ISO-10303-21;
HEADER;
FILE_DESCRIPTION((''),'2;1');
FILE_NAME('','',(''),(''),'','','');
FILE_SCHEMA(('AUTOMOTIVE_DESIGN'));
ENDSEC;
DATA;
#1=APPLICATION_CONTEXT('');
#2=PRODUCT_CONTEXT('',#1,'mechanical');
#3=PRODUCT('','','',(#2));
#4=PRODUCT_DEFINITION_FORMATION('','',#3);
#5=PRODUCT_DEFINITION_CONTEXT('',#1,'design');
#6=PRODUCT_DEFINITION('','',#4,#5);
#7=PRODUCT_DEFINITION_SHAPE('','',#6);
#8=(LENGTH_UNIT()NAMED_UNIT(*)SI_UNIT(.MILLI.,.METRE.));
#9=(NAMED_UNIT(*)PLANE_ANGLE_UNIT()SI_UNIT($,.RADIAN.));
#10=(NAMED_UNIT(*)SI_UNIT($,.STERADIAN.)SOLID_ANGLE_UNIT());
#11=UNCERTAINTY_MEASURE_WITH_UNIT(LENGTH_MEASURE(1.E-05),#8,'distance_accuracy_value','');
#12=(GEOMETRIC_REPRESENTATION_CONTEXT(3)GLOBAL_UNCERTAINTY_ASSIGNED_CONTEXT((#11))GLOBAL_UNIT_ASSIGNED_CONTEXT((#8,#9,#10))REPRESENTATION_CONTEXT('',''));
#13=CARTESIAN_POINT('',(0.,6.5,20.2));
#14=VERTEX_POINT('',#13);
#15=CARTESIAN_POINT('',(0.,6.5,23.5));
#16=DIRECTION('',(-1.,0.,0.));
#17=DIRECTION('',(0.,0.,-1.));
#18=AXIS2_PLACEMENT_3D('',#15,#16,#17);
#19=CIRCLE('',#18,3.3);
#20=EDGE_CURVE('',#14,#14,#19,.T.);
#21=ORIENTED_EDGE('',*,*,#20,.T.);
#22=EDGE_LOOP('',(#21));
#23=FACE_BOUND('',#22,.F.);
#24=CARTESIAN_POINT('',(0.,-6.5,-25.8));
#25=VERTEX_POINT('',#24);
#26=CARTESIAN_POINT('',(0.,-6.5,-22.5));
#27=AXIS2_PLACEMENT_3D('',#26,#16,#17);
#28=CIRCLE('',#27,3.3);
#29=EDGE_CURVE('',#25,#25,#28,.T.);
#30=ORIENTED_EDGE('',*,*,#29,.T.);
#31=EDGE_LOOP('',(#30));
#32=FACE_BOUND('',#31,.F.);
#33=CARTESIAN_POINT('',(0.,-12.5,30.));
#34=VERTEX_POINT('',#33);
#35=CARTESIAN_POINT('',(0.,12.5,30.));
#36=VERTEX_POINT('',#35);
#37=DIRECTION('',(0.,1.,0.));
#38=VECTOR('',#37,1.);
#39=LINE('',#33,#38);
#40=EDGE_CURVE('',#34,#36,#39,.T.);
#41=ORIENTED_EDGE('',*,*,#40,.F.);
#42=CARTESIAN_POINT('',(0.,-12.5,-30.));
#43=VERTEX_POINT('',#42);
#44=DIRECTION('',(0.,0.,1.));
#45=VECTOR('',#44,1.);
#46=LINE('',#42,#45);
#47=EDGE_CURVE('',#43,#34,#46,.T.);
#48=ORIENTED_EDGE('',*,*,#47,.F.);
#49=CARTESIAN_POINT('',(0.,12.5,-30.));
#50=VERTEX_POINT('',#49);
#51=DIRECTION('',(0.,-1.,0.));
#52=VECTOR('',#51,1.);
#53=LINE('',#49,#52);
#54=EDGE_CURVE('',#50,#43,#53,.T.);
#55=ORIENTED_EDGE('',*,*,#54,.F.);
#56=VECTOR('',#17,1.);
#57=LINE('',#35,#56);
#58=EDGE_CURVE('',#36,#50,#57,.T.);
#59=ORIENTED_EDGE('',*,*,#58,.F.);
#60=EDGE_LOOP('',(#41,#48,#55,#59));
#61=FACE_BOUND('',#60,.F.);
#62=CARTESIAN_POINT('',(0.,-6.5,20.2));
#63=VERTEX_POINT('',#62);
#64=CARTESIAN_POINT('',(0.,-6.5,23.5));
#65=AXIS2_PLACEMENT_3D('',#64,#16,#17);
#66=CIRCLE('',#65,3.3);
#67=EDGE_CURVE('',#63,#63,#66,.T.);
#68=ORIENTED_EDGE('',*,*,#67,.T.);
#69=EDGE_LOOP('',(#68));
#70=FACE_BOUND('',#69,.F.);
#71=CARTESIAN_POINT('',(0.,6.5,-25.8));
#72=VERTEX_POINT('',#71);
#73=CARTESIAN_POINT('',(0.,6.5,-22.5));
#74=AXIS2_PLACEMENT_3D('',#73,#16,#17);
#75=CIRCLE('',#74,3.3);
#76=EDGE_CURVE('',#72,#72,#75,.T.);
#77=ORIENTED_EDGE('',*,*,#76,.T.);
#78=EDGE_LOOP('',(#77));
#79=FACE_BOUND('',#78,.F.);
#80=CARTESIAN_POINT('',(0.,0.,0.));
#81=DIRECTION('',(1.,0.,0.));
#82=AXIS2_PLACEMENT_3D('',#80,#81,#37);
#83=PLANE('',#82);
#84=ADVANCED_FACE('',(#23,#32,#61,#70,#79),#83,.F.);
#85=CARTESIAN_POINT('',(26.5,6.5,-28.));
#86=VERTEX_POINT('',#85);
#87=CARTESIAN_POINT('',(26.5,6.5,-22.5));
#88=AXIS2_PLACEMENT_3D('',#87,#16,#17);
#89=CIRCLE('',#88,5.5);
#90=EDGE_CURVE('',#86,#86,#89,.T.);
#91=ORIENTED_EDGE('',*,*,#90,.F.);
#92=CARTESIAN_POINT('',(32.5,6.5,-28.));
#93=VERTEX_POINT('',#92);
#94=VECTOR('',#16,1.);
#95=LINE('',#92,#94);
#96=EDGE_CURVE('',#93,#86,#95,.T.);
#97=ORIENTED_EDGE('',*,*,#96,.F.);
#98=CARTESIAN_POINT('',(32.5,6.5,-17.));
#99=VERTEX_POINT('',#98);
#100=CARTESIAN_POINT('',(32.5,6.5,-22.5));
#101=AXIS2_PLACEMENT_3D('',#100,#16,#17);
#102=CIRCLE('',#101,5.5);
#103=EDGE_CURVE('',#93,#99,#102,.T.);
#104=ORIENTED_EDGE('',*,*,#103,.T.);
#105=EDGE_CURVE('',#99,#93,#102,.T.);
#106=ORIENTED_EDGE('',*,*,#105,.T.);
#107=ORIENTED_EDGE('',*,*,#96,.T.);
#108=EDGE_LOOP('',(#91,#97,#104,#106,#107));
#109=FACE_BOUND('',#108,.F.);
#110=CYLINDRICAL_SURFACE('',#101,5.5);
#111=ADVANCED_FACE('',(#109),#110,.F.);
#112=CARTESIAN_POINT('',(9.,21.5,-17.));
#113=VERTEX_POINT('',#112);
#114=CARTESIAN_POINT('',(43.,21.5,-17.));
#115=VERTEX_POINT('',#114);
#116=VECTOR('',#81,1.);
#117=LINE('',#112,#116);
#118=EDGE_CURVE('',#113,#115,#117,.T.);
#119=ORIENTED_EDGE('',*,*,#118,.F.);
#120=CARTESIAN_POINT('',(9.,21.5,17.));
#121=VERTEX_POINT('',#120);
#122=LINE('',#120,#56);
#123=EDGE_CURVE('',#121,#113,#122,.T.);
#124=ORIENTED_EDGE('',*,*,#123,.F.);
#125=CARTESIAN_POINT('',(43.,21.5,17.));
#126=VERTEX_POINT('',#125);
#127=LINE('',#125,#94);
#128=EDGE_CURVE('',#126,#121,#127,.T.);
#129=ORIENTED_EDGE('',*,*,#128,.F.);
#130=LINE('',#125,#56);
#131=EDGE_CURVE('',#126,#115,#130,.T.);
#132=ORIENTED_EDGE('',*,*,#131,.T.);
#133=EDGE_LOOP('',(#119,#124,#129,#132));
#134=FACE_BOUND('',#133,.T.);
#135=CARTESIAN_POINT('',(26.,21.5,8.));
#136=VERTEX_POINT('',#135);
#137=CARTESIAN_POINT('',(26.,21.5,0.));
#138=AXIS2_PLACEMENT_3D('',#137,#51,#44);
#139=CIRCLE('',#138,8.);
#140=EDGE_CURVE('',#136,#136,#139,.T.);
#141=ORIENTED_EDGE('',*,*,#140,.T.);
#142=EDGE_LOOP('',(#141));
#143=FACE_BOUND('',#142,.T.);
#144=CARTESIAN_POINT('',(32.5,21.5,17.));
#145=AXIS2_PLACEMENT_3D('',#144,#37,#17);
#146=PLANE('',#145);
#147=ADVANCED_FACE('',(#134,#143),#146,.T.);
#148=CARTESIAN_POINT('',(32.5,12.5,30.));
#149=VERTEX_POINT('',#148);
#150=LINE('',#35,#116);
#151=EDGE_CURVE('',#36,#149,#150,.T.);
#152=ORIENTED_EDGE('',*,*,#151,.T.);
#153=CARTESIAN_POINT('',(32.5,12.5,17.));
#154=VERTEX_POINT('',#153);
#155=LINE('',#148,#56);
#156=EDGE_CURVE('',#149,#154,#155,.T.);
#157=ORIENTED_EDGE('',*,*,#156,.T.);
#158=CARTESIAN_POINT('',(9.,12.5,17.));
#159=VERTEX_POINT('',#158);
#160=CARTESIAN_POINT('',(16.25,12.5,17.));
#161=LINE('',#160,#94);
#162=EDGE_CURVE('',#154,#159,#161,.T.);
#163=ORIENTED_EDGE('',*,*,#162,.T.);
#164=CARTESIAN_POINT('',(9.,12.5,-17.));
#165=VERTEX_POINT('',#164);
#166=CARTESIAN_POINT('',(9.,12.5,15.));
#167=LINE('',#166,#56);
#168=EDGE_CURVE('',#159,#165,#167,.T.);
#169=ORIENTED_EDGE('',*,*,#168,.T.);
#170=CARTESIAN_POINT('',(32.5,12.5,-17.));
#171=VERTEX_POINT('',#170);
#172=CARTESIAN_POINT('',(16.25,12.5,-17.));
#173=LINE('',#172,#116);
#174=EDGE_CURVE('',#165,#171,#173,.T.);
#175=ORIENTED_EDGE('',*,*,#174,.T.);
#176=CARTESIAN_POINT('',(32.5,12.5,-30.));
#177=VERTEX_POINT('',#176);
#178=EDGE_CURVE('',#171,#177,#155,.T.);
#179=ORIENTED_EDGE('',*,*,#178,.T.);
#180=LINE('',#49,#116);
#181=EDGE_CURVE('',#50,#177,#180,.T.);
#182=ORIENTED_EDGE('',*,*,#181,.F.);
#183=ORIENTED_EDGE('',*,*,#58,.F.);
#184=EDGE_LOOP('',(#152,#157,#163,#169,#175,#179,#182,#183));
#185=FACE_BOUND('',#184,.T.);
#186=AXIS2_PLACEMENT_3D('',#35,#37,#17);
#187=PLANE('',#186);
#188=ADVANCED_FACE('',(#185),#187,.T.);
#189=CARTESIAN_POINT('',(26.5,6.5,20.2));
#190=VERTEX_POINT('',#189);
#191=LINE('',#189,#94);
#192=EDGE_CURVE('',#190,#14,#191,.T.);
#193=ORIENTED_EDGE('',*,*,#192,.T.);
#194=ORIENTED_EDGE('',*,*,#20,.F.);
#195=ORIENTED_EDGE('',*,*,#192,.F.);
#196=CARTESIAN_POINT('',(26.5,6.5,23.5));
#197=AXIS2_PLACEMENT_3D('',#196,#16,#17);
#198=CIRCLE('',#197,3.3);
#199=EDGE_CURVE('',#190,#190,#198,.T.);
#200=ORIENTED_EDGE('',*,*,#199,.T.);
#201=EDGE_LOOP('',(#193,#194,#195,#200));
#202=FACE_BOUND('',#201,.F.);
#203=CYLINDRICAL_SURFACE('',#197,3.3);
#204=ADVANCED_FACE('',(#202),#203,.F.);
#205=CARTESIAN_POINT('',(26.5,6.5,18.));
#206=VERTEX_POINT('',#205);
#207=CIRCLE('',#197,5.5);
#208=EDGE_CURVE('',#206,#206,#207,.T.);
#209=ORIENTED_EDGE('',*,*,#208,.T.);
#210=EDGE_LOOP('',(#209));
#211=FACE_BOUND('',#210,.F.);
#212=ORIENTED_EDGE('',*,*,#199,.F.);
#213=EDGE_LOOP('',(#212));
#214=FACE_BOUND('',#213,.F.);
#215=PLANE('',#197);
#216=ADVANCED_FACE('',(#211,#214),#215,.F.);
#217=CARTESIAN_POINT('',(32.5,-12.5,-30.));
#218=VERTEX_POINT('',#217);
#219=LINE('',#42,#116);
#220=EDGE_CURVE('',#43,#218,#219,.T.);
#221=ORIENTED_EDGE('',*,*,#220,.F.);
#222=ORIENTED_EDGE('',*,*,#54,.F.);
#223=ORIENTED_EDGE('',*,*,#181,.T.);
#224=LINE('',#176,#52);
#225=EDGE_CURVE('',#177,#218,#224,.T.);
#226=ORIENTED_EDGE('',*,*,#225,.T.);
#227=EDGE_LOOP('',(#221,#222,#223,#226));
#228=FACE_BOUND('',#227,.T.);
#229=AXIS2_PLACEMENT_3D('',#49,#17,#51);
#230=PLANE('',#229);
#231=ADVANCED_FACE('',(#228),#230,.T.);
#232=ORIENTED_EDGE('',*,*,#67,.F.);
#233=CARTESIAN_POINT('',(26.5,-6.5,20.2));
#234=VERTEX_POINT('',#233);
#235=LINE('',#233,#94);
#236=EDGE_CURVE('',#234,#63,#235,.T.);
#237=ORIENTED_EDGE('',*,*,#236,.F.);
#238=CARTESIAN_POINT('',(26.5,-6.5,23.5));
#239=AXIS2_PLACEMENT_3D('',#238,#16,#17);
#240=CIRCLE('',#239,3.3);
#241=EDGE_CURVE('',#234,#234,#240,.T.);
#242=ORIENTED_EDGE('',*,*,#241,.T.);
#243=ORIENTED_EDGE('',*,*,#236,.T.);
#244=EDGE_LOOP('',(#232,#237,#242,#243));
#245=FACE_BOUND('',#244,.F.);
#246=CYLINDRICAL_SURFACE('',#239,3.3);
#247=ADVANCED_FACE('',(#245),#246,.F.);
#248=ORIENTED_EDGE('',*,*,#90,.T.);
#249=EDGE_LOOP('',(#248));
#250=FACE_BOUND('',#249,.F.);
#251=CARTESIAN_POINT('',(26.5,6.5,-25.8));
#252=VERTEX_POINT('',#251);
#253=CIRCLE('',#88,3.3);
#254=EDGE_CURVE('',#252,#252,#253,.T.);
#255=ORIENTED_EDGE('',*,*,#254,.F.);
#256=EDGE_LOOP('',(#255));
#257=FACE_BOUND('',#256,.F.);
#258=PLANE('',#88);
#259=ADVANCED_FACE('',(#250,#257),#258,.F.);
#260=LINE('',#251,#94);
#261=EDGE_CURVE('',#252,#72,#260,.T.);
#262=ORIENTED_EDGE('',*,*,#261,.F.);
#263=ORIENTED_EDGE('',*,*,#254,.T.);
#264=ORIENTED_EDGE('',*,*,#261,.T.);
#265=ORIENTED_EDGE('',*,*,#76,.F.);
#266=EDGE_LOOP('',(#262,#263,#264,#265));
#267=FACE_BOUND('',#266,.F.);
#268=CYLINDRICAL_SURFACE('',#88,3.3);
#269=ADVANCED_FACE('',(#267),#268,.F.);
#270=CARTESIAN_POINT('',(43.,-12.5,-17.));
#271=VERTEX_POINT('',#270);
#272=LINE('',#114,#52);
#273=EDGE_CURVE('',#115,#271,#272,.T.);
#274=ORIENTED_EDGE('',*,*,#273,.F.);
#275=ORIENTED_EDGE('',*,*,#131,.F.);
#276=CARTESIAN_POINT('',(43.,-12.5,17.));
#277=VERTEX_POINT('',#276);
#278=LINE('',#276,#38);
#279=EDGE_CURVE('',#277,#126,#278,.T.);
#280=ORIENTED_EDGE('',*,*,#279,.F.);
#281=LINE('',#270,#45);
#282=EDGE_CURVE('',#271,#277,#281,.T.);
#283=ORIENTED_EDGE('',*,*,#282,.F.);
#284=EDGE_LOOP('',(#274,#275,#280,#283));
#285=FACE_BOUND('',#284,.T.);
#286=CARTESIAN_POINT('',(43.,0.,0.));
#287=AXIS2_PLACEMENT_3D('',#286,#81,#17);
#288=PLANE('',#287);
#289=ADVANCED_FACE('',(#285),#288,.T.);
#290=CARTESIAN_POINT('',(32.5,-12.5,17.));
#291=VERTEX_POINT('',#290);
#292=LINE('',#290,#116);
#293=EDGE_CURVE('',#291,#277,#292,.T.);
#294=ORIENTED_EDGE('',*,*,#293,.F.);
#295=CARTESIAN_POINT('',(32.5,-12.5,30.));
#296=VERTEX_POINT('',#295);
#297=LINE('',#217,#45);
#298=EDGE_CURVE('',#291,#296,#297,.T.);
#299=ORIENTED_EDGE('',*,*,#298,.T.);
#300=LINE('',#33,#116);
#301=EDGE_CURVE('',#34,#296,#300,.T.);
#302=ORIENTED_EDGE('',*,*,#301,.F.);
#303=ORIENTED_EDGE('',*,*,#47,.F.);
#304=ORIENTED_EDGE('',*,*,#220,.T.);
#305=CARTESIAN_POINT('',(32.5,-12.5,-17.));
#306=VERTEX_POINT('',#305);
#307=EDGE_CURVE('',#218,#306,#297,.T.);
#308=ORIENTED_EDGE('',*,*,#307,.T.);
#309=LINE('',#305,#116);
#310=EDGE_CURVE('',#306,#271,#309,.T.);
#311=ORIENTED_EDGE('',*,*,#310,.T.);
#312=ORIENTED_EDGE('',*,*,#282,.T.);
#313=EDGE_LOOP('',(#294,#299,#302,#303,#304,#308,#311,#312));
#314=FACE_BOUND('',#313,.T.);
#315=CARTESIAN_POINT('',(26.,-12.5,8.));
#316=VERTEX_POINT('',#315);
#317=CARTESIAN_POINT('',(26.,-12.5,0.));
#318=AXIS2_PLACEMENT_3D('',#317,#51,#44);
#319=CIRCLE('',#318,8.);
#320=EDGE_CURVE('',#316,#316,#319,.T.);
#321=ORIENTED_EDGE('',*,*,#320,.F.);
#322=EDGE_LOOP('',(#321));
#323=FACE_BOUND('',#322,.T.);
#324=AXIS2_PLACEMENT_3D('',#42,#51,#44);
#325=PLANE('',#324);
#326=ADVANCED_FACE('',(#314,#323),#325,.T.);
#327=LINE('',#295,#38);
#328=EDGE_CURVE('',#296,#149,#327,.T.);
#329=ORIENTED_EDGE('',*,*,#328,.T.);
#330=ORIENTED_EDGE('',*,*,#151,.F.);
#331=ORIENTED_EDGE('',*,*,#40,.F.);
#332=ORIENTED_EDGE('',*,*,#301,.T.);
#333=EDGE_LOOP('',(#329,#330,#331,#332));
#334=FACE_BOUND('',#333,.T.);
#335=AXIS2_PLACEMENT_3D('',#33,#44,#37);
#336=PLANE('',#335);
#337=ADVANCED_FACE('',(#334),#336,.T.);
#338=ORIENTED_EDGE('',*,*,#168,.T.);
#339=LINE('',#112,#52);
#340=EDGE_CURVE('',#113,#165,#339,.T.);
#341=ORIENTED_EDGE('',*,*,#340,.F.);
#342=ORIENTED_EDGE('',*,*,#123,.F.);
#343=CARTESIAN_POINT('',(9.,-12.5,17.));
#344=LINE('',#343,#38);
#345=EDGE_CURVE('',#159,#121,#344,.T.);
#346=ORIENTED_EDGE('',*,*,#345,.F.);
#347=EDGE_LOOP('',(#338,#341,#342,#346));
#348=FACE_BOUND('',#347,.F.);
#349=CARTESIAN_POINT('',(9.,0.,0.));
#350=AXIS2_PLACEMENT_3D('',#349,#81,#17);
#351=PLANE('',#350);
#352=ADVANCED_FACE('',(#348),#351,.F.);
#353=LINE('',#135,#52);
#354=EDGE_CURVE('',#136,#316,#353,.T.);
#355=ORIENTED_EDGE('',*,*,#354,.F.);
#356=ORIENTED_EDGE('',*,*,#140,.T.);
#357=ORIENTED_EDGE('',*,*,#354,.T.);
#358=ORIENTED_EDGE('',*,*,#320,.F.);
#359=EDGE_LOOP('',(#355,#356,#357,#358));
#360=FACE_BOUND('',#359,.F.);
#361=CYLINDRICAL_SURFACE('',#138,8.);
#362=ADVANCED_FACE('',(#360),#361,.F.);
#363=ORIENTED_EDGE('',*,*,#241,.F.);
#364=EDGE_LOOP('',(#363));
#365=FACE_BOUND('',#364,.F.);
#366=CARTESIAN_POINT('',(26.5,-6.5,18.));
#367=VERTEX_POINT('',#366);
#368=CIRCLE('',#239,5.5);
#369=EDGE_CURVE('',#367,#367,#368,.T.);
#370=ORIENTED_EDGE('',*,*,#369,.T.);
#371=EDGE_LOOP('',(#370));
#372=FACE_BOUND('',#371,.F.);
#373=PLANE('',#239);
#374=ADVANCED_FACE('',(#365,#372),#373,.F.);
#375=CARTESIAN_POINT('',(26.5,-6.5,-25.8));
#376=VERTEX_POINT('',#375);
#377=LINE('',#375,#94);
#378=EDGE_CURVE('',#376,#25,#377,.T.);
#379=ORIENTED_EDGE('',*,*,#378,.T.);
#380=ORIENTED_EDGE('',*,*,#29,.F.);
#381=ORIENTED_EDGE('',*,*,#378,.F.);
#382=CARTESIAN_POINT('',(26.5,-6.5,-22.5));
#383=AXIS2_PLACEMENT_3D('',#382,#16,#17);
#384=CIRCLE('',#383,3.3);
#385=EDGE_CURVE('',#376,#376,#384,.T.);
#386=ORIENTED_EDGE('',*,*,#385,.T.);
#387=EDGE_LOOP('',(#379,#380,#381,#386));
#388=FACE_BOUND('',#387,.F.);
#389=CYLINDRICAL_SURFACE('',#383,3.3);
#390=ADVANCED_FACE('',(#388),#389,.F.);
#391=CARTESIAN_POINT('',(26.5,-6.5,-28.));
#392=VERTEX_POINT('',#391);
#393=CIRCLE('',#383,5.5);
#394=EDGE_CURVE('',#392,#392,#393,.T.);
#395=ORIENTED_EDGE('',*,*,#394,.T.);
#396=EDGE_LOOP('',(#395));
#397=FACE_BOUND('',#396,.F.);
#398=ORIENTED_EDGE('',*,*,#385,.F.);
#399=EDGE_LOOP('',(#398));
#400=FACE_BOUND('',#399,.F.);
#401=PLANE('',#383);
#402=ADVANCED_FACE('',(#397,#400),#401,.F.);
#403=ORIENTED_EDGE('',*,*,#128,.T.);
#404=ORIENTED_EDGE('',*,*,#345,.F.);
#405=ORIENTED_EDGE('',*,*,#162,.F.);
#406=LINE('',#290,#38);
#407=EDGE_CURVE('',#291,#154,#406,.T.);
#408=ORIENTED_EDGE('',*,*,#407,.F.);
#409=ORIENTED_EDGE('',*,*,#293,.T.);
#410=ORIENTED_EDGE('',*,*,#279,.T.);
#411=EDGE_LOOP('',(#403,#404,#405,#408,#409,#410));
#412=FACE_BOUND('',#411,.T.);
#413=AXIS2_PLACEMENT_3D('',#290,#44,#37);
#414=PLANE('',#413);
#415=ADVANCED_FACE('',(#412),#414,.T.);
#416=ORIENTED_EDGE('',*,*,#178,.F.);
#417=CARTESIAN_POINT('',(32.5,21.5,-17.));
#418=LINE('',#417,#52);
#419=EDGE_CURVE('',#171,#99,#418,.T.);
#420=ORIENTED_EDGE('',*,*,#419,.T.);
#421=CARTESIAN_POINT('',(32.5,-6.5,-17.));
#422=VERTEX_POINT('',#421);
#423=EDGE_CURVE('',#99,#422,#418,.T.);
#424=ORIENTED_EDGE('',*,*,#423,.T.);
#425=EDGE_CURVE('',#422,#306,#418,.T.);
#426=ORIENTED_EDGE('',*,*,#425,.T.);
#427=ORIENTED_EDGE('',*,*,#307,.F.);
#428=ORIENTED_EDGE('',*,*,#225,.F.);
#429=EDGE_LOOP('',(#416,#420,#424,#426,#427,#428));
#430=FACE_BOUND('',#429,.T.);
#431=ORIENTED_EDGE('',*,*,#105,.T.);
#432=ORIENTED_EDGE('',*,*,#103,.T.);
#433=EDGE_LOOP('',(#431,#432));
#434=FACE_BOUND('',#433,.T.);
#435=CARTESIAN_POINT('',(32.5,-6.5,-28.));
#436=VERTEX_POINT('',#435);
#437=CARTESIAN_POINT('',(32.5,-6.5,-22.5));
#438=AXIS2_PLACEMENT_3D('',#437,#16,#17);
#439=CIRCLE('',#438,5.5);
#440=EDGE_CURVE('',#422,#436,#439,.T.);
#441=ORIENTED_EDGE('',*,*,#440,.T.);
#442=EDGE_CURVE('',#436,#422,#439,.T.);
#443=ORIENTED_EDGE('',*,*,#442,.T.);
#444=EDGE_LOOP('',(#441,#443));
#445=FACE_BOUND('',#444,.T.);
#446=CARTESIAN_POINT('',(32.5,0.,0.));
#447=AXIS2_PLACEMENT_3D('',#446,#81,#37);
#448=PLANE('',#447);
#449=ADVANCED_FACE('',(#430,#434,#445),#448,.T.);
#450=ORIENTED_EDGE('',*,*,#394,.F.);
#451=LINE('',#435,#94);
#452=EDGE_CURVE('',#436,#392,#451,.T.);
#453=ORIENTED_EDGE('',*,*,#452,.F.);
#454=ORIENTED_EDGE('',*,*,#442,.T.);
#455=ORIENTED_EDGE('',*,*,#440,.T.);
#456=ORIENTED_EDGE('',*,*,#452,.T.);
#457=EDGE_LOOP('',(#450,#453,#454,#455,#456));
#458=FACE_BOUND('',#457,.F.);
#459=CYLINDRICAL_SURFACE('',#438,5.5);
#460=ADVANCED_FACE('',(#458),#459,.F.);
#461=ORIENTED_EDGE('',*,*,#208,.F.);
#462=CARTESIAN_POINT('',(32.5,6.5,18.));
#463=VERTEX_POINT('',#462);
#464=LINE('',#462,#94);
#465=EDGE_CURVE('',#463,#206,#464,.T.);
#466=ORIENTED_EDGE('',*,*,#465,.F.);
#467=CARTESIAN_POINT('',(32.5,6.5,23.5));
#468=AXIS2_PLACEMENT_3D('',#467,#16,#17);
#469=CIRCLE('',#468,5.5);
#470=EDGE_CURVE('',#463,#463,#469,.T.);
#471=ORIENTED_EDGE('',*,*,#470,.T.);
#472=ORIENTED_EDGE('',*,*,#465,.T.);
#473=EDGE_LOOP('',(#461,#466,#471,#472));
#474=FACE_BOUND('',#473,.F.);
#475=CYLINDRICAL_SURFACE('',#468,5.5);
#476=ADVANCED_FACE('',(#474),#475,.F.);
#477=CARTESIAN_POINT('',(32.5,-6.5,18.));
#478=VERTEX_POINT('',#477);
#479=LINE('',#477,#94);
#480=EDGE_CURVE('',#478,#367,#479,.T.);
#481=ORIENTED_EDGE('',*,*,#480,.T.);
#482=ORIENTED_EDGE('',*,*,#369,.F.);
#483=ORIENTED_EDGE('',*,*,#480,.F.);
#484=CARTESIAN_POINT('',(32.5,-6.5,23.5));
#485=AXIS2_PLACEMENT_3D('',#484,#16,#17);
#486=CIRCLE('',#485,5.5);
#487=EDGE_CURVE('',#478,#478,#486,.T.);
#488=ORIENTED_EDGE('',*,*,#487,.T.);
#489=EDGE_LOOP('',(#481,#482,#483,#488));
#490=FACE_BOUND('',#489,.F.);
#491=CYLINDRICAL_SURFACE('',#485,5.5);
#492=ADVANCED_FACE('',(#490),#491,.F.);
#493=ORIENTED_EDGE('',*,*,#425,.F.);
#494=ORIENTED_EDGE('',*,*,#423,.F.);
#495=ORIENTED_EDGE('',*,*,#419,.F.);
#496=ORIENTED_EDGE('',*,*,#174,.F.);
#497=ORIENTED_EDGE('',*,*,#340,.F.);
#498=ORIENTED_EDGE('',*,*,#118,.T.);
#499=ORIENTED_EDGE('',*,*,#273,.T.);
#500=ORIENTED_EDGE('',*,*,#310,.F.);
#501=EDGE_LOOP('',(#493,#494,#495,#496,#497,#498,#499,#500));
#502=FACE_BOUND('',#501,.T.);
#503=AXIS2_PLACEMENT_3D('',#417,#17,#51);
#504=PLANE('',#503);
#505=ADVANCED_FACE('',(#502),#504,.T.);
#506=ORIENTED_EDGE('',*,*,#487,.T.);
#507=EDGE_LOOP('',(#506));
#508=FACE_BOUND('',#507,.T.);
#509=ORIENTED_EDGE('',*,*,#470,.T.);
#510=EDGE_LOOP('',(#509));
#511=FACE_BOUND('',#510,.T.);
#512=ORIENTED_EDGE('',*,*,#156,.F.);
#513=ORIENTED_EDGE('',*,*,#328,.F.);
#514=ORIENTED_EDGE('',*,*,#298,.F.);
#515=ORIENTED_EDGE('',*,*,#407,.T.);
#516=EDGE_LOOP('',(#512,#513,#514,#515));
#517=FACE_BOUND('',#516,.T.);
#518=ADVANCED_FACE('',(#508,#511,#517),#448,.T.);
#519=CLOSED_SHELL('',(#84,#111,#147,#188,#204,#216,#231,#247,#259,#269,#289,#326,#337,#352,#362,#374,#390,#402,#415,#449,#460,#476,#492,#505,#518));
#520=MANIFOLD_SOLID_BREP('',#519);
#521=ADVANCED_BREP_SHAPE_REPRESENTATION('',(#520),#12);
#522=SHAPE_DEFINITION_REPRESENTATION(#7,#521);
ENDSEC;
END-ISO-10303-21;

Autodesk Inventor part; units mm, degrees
ref_plane "YZ Plane" through (0, 0, 0) normal (1, 0, 0) x (0, 1, 0)
ref_plane "XZ Plane" through (0, 0, 0) normal (0, 1, 0) x (-1, 0, 0)
ref_plane "XY Plane" through (0, 0, 0) normal (0, 0, 1) x (1, 0, 0)
sketch "Skizze1" plane through (0, 0, 0) normal (1, 0, 0) x (0, 1, 0)
  line L0 (-12.5, 30) -> (12.5, 30)
  line L1 (12.5, 30) -> (12.5, -30)
  line L2 (12.5, -30) -> (-12.5, -30)
  line L3 (-12.5, -30) -> (-12.5, 30)
  line L4 (-12.5, 30) -> (12.5, -30) construction
  line L5 (12.5, 30) -> (-12.5, -30) construction
  point P0 (0, 0)
  dimension "d0" = 25
  dimension "d1" = 60
extrude "Extrusion1" add sketch "Skizze1" along normal blind 32.5
sketch "Skizze2" plane through (32.5, 0, 0) normal (1, 0, 0) x (0, 0, -1)
  line L0 (-30, -12.5) -> (30, -12.5) construction
  line L1 (0, -12.5) -> (17, -12.5) construction
  line L2 (17, -12.5) -> (-17, -12.5)
  line L3 (-17, -12.5) -> (-17, 21.5)
  line L4 (-17, 21.5) -> (17, 21.5)
  line L5 (17, 21.5) -> (17, -12.5)
  point P0 (0, 0)
  dimension "d4" = 17
  dimension "d5" = 34
  dimension "d6" = 34
extrude "Extrusion2" add sketch "Skizze2" along normal blind 10.5
extrude "Extrusion3" add sketch "Skizze2" against normal blind 23.5
sketch "Skizze3" plane through (43, 21.5, 17) normal (0, 1, 0) x (1, 0, 0)
  line L0 (-34, 0) -> (-34, 34) construction
  line L1 (-10.5, 34) -> (0, 34) construction
  line L2 (-34, 0) -> (0, 34) construction
  line L3 (0, 34) -> (0, 0) construction
  line L4 (-34, 34) -> (0, 0) construction
  point P0 (-43, 17)
sketch "Skizze4" plane through (43, 21.5, 17) normal (0, 1, 0) x (1, 0, 0)
  point P0 (-43, 17)
  point P1 (-17, 17)
hole "Bohrung1" at (26, 21.5, 0) direction (0, -1, 0) diameter 16 end through all
sketch "Skizze5" plane through (32.5, 0, 0) normal (1, 0, 0) x (0, 0, -1)
  line L0 (-17, 21.5) -> (-17, -12.5) construction
  line L1 (-17, 12.5) -> (-30, 12.5) construction
  line L2 (-30, 12.5) -> (-30, -12.5) construction
  line L3 (-30, -12.5) -> (-17, -12.5) construction
  line L4 (-30, 12.5) -> (30, 12.5) construction
  line L5 (-23.5, 12.5) -> (-23.5, -12.5) construction
  line L6 (30, -12.5) -> (-30, -12.5) construction
  line L7 (-23.5, 12.5) -> (-23.5, 6.5) construction
  line L8 (-23.5, 6.5) -> (-23.5, -6.5) construction
  line L9 (-23.5, 6.5) -> (22.5, 6.5) construction
  line L10 (22.5, 6.5) -> (22.5, -6.5) construction
  point P0 (0, 0)
  dimension "d18" = 6
  dimension "d19" = 13
  dimension "d20" = 46
  dimension "d21" = 13
hole "Bohrung2" at (32.5, 6.5, 23.5) at (32.5, -6.5, 23.5) at (32.5, 6.5, -22.5) at (32.5, -6.5, -22.5) direction (-1, 0, 0) diameter 6.6 end through all counterbore diameter 11 counterbore depth 6 clearance for "Innensechskantkopfschraube" size "M6" standard "ANSI Metrisches M Profil"
properties part number "Festlager" material "Eisen, Grau"
